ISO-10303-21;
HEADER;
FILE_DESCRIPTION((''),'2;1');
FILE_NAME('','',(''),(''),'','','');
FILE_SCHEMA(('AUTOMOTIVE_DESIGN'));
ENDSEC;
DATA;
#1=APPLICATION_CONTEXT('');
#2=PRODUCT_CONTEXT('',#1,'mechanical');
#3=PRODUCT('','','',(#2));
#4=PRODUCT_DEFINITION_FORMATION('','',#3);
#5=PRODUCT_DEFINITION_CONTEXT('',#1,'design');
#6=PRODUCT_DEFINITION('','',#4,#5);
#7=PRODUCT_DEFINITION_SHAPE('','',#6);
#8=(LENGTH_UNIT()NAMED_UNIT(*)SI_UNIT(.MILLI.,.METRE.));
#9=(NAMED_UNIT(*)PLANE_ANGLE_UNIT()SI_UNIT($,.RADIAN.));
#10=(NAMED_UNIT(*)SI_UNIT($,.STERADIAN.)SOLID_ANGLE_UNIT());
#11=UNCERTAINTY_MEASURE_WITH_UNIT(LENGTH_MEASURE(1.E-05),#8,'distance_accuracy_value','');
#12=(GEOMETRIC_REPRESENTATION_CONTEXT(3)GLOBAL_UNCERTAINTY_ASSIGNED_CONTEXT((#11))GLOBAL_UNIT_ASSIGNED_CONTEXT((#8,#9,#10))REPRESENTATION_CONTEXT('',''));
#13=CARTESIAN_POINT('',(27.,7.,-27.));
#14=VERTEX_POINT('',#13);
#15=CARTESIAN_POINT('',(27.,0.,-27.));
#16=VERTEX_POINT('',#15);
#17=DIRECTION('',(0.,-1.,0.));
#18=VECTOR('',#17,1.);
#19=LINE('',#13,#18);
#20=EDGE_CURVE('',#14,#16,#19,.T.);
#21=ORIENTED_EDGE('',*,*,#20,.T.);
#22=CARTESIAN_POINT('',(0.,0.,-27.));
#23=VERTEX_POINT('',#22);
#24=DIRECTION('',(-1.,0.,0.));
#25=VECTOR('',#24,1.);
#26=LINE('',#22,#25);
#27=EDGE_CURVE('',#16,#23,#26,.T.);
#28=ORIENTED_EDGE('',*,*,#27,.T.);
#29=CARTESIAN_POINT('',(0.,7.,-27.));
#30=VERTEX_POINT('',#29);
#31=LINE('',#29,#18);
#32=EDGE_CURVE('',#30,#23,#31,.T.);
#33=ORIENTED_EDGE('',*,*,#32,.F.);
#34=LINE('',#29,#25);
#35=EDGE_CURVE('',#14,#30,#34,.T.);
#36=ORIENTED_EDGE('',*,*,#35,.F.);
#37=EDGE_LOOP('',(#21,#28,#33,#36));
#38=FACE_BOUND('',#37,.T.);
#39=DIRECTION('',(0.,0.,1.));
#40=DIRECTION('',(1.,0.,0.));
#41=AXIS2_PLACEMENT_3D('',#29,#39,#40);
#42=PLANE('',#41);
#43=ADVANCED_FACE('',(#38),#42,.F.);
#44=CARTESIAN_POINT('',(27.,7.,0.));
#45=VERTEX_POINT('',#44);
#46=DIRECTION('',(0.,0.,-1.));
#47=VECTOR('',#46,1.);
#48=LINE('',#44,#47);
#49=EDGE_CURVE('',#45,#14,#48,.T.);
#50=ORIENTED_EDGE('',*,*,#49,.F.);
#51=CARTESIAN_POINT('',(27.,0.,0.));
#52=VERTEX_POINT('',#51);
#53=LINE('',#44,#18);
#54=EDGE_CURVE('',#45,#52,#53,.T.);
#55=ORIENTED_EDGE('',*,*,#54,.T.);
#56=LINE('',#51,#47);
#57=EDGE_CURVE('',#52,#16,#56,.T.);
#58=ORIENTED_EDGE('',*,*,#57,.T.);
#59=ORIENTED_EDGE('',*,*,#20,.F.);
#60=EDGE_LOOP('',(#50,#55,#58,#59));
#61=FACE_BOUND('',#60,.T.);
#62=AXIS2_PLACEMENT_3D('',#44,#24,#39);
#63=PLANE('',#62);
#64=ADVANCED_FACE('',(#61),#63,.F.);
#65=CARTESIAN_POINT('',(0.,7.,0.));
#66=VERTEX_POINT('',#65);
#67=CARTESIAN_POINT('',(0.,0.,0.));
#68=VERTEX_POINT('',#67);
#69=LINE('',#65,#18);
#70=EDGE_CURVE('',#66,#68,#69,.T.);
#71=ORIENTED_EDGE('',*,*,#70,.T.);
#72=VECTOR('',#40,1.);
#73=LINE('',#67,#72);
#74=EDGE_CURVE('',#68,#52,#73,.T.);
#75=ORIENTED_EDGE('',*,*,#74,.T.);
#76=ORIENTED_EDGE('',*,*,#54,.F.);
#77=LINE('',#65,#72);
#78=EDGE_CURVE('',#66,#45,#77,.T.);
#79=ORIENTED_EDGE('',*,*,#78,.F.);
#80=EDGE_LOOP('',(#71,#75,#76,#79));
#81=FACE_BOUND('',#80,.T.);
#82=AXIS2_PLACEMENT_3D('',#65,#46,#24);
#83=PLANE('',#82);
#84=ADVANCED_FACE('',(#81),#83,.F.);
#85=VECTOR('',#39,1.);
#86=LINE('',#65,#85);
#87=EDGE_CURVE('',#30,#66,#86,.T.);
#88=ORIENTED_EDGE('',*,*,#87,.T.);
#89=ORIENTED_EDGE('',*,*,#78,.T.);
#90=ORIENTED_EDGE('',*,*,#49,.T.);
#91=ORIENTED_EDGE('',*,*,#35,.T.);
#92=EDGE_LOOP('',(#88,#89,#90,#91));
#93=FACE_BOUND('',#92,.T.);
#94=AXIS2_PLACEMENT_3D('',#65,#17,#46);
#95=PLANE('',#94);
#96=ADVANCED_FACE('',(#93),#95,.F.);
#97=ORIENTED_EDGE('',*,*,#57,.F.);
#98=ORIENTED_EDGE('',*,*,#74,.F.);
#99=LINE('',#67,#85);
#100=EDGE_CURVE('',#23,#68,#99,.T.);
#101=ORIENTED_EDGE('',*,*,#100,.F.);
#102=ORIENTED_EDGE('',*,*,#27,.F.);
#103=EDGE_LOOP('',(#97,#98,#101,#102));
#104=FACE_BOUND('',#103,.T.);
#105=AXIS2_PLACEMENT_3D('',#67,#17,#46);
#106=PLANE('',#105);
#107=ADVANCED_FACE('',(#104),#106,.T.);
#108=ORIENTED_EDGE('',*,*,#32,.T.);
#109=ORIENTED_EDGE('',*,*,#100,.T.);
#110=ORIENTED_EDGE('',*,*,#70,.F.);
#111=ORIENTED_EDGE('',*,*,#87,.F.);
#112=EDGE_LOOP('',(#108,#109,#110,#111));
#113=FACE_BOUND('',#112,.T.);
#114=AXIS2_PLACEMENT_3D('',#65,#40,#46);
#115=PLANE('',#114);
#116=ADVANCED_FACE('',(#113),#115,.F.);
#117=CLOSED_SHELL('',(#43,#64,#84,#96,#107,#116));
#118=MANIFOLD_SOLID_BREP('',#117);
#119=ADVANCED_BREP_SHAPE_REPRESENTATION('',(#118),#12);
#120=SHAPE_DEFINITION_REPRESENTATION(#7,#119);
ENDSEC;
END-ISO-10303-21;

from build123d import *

# Parameters (mm, degrees)
SKETCH1_W           = 27
SKETCH1_H           = 27
BOSS_EXTRUDE1_DEPTH = 7


with BuildPart() as part:
    # Sketch1 → Boss-Extrude1 (new body)
    with BuildSketch(Plane(origin=(0, 0, 0), x_dir=(1, 0, 0), z_dir=(0, 1, 0))):
        with Locations((13.5, 13.5)):
            Rectangle(SKETCH1_W, SKETCH1_H)
    extrude(amount=BOSS_EXTRUDE1_DEPTH)


solid = part.part
